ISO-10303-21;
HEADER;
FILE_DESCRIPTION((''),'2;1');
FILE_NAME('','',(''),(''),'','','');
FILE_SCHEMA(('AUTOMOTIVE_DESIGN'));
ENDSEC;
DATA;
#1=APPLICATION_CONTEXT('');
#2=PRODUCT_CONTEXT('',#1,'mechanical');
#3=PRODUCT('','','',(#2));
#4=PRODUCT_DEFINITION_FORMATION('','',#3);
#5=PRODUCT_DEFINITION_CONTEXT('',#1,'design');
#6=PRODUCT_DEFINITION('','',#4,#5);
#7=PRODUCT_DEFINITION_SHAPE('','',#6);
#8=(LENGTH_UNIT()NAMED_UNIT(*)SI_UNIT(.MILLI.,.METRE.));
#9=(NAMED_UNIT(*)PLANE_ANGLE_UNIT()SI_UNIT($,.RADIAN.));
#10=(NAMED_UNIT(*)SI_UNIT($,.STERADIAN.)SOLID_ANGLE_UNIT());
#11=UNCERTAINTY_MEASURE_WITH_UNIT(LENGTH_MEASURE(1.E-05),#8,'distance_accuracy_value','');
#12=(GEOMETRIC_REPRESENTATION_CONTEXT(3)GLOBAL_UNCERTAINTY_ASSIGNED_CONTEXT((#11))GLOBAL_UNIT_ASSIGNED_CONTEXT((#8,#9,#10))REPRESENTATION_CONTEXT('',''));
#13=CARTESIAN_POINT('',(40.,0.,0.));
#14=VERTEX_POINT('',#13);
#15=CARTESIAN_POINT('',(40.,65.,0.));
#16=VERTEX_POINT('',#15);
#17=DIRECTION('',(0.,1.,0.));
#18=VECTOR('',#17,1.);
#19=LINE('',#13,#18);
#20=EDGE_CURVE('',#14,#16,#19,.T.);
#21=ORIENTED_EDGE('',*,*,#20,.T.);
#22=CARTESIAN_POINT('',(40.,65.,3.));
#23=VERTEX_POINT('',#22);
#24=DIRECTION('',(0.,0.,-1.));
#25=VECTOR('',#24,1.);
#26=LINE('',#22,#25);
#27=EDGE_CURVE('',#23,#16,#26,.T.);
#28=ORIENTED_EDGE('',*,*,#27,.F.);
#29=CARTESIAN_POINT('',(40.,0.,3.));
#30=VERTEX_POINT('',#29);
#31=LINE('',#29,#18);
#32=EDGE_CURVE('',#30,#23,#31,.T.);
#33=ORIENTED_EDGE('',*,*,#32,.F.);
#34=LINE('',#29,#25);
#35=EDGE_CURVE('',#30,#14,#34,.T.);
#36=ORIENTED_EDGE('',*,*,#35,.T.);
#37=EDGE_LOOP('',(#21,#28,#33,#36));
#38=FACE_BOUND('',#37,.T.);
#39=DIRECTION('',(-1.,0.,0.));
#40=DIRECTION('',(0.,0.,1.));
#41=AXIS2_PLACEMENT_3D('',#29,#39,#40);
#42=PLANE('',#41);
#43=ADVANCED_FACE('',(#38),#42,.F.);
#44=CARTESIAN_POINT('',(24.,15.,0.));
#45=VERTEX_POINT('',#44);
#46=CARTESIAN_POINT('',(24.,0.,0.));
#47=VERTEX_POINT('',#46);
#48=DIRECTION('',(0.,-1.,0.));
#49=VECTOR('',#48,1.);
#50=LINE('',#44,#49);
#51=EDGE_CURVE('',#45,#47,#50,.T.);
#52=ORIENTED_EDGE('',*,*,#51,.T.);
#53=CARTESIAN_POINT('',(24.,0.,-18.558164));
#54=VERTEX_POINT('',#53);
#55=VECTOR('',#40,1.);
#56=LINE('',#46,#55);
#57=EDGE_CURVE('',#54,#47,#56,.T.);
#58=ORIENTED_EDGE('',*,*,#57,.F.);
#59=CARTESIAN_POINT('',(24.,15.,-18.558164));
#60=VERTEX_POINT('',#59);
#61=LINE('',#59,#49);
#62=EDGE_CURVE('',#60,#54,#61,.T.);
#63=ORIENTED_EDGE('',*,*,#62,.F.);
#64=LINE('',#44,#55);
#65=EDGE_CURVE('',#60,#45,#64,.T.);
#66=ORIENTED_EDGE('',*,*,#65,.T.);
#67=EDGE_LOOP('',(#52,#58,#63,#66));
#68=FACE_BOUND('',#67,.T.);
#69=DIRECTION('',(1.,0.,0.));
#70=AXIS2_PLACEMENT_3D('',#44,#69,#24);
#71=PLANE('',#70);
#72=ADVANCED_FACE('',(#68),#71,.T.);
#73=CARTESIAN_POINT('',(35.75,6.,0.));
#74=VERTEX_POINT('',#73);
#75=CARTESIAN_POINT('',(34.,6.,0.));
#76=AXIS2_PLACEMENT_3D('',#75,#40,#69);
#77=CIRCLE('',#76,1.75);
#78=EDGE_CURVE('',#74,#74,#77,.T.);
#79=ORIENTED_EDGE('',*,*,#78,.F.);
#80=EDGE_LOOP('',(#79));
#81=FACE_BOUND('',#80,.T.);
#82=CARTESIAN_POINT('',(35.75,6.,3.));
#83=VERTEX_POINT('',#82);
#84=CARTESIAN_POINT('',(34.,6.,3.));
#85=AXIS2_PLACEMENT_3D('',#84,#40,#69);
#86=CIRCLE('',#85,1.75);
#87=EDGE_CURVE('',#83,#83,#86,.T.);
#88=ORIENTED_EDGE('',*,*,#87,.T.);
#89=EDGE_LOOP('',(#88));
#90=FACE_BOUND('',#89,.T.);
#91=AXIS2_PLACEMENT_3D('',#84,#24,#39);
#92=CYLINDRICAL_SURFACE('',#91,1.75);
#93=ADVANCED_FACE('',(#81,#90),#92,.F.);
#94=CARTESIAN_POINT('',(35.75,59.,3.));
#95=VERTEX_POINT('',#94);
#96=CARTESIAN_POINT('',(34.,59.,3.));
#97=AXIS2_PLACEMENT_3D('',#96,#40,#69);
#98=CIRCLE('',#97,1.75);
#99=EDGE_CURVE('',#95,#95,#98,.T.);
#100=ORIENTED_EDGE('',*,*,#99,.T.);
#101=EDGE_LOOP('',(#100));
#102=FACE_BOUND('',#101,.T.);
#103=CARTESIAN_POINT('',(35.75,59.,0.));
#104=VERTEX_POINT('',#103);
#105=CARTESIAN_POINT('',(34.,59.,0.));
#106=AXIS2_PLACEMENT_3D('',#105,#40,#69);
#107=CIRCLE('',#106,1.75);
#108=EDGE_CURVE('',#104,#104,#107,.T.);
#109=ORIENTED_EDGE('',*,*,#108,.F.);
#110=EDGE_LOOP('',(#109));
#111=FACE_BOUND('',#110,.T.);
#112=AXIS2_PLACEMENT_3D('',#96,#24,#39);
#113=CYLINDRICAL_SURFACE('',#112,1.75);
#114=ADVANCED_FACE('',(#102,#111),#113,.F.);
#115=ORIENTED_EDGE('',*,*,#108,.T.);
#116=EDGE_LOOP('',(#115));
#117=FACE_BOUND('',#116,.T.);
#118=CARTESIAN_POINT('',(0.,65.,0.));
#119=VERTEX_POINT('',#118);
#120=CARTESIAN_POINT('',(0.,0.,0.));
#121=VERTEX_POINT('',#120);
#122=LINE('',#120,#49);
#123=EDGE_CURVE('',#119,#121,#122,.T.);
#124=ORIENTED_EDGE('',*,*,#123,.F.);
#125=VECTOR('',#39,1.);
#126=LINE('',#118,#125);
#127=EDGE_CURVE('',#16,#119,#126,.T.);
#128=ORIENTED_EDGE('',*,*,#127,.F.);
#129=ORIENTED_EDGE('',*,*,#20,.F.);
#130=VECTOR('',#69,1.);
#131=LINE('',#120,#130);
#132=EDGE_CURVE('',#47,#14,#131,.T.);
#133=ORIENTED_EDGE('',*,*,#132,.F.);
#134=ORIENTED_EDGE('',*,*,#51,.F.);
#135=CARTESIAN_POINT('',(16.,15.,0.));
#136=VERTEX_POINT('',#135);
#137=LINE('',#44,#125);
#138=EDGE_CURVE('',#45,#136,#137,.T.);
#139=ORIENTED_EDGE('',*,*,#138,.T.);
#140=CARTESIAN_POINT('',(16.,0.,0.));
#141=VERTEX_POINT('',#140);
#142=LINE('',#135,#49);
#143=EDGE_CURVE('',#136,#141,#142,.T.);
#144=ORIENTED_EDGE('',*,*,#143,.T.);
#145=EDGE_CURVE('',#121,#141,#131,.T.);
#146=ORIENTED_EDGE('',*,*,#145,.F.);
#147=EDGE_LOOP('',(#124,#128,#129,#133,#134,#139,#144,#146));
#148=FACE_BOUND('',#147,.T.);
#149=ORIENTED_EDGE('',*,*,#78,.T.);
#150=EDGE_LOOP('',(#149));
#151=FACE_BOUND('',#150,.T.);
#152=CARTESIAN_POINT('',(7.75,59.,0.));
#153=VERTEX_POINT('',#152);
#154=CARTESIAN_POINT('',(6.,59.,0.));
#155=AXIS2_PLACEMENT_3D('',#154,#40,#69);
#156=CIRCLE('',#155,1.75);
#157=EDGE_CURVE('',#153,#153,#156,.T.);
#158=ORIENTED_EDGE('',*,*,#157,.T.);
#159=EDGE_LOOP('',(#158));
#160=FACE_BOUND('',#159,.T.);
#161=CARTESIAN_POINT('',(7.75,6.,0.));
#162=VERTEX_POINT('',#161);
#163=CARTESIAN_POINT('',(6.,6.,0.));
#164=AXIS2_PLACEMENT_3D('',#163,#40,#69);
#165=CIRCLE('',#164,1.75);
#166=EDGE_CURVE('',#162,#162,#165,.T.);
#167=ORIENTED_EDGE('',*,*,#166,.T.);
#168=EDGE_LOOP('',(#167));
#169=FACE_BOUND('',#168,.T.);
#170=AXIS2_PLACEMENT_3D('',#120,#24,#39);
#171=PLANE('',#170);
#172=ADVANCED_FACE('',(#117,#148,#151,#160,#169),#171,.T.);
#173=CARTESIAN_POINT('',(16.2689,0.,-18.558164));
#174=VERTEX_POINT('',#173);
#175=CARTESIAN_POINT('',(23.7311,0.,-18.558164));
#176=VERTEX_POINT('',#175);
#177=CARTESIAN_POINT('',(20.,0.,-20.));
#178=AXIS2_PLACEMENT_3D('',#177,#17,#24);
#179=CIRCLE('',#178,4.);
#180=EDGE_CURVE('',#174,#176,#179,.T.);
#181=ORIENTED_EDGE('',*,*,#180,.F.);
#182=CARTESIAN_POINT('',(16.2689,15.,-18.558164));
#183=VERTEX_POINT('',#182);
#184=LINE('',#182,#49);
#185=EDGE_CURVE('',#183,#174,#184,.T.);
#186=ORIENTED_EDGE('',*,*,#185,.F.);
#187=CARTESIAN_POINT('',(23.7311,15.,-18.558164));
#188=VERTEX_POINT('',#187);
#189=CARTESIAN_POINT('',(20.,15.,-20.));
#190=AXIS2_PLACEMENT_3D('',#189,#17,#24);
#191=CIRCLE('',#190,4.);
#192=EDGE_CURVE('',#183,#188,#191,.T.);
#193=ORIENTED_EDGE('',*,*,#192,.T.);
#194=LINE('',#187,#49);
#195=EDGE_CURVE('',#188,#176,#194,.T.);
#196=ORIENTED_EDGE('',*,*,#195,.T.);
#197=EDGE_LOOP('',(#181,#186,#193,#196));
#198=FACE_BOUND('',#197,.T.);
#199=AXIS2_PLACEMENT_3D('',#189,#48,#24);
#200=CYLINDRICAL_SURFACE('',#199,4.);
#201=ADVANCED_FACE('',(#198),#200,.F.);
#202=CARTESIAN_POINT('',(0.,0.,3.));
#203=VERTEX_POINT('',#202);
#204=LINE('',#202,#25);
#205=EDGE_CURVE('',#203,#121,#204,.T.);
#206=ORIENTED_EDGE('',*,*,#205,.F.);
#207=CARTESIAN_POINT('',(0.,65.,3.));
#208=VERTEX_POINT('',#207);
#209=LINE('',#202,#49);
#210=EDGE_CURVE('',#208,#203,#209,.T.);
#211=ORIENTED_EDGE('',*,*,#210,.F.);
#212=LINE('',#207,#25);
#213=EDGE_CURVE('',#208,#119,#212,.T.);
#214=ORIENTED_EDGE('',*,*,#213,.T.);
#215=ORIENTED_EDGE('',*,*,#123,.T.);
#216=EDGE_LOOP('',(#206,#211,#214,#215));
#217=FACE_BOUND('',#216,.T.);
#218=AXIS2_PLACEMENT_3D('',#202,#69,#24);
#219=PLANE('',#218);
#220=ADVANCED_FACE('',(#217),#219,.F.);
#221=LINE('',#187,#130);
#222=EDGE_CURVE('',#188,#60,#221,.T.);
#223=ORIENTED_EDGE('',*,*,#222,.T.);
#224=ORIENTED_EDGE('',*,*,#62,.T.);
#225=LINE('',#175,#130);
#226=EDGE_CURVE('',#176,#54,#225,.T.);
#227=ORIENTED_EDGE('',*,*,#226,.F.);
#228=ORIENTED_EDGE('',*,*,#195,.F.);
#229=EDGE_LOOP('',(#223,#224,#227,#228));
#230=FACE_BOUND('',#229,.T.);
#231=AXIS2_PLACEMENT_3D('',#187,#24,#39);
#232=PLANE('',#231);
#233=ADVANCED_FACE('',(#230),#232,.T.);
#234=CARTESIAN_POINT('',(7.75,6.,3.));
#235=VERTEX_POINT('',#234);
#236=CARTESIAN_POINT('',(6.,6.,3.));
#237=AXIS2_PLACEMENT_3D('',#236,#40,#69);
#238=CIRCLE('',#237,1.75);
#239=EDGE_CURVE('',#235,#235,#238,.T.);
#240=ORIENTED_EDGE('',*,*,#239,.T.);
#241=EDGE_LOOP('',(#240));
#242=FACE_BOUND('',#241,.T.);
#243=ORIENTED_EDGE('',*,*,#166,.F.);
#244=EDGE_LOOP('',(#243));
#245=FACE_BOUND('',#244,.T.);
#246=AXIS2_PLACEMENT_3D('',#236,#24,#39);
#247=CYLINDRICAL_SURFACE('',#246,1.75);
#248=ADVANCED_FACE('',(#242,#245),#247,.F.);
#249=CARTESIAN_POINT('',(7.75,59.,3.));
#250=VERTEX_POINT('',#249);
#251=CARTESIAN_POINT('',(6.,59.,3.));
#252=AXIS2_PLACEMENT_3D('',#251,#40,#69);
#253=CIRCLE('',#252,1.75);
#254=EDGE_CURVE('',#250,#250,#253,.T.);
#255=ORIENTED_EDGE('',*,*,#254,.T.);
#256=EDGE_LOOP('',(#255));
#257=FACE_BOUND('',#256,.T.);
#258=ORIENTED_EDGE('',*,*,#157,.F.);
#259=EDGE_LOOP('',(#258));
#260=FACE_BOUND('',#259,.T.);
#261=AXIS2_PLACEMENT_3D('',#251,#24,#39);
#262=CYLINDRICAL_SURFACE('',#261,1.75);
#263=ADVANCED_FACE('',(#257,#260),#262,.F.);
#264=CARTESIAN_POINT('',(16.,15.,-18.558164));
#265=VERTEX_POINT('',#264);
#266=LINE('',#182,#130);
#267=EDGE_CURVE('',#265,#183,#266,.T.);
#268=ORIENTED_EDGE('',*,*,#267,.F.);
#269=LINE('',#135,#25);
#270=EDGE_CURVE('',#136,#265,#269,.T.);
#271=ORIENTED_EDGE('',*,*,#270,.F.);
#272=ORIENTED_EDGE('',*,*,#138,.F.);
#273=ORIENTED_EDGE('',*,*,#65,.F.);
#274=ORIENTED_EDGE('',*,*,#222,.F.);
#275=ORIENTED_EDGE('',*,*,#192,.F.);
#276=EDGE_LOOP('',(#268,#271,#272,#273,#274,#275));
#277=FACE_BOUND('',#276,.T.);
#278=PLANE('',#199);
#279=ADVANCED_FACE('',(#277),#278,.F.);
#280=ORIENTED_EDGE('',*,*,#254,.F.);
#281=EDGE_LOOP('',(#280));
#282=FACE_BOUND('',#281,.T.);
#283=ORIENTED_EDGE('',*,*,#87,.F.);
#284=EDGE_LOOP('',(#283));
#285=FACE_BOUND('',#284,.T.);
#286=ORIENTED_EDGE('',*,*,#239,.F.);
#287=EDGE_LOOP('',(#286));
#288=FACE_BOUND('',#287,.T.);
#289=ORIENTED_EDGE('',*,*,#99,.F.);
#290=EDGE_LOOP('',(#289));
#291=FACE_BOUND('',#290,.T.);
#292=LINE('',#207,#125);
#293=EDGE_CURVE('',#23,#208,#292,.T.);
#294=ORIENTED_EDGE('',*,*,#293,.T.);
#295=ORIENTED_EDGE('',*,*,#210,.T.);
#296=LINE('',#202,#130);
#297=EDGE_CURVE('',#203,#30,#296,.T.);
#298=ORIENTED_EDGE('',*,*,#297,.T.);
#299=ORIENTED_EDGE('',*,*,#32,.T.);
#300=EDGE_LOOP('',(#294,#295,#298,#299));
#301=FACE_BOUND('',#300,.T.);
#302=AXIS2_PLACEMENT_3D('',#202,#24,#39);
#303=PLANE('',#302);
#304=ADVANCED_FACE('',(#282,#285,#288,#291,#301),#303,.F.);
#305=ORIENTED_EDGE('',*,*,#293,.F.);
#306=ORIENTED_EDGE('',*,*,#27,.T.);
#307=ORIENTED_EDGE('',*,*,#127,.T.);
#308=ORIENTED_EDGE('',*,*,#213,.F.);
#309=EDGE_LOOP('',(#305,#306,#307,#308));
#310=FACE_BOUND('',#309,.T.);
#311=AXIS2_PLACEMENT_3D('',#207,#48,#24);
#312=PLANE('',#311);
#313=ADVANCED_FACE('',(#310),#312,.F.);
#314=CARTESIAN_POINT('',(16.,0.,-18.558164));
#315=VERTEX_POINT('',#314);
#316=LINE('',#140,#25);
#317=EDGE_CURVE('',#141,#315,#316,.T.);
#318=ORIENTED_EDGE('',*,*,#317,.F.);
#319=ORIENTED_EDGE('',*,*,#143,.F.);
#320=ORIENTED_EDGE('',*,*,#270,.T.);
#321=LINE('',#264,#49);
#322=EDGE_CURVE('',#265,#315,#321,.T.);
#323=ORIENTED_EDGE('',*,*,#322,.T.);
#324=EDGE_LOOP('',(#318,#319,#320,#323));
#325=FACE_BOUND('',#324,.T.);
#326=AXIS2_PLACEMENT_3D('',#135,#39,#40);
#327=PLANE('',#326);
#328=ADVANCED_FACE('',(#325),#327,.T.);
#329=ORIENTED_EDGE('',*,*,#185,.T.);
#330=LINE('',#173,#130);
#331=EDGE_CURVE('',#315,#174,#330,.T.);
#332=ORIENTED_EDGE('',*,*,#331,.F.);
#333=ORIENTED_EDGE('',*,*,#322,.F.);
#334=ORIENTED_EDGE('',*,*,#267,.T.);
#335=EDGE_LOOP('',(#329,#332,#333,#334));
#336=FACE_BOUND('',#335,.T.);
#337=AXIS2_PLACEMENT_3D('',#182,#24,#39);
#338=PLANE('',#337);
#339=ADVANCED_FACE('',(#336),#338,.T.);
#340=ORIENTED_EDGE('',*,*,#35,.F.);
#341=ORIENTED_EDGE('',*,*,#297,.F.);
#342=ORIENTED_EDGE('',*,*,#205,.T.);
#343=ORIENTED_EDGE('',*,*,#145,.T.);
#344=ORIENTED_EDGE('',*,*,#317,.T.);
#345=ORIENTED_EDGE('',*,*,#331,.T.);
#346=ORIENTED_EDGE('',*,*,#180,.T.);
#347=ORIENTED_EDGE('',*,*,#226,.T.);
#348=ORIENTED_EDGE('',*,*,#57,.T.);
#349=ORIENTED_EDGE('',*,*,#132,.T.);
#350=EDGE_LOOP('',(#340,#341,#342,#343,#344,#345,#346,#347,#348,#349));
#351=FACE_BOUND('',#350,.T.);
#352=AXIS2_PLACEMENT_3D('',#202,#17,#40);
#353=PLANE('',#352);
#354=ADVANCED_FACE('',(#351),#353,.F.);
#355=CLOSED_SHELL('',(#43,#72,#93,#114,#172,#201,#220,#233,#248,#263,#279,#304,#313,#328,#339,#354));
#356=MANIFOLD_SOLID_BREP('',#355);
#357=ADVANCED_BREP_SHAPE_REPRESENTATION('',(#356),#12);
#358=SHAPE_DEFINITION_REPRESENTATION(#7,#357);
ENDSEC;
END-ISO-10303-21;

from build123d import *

# Parameters (mm, degrees)
SKETCH1_W           = 40
SKETCH1_H           = 65
SKETCH1_R           = 1.75
BOSS_EXTRUDE1_DEPTH = 3
BOSS_EXTRUDE2_DEPTH = 15


with BuildPart() as part:
    # Sketch1 → Boss-Extrude1 (new body)
    with BuildSketch(Plane.XY):
        with Locations((20, 32.5)):
            Rectangle(SKETCH1_W, SKETCH1_H)
        with Locations((6, 59)):
            Circle(SKETCH1_R, mode=Mode.SUBTRACT)
        with Locations((34, 59)):
            Circle(SKETCH1_R, mode=Mode.SUBTRACT)
        with Locations((6, 6)):
            Circle(SKETCH1_R, mode=Mode.SUBTRACT)
        with Locations((34, 6)):
            Circle(SKETCH1_R, mode=Mode.SUBTRACT)
    extrude(amount=BOSS_EXTRUDE1_DEPTH)

    # Sketch2 → Boss-Extrude2 (add)
    with BuildSketch(Plane(origin=(0, 0, 0), x_dir=(-1, 0, 0), z_dir=(0, -1, 0))):
        with BuildLine():
            Line((-24, 0), (-16, 0))
            Line((-16, 0), (-16, 18.558164094))
            Line((-16, 18.558164094), (-16.268899731, 18.558164094))
            ThreePointArc((-16.268899731, 18.558164094), (-20, 16), (-23.731100269, 18.558164094))
            Line((-23.731100269, 18.558164094), (-24, 18.558164094))
            Line((-24, 18.558164094), (-24, 0))
        make_face()
    extrude(amount=-BOSS_EXTRUDE2_DEPTH)


solid = part.part
